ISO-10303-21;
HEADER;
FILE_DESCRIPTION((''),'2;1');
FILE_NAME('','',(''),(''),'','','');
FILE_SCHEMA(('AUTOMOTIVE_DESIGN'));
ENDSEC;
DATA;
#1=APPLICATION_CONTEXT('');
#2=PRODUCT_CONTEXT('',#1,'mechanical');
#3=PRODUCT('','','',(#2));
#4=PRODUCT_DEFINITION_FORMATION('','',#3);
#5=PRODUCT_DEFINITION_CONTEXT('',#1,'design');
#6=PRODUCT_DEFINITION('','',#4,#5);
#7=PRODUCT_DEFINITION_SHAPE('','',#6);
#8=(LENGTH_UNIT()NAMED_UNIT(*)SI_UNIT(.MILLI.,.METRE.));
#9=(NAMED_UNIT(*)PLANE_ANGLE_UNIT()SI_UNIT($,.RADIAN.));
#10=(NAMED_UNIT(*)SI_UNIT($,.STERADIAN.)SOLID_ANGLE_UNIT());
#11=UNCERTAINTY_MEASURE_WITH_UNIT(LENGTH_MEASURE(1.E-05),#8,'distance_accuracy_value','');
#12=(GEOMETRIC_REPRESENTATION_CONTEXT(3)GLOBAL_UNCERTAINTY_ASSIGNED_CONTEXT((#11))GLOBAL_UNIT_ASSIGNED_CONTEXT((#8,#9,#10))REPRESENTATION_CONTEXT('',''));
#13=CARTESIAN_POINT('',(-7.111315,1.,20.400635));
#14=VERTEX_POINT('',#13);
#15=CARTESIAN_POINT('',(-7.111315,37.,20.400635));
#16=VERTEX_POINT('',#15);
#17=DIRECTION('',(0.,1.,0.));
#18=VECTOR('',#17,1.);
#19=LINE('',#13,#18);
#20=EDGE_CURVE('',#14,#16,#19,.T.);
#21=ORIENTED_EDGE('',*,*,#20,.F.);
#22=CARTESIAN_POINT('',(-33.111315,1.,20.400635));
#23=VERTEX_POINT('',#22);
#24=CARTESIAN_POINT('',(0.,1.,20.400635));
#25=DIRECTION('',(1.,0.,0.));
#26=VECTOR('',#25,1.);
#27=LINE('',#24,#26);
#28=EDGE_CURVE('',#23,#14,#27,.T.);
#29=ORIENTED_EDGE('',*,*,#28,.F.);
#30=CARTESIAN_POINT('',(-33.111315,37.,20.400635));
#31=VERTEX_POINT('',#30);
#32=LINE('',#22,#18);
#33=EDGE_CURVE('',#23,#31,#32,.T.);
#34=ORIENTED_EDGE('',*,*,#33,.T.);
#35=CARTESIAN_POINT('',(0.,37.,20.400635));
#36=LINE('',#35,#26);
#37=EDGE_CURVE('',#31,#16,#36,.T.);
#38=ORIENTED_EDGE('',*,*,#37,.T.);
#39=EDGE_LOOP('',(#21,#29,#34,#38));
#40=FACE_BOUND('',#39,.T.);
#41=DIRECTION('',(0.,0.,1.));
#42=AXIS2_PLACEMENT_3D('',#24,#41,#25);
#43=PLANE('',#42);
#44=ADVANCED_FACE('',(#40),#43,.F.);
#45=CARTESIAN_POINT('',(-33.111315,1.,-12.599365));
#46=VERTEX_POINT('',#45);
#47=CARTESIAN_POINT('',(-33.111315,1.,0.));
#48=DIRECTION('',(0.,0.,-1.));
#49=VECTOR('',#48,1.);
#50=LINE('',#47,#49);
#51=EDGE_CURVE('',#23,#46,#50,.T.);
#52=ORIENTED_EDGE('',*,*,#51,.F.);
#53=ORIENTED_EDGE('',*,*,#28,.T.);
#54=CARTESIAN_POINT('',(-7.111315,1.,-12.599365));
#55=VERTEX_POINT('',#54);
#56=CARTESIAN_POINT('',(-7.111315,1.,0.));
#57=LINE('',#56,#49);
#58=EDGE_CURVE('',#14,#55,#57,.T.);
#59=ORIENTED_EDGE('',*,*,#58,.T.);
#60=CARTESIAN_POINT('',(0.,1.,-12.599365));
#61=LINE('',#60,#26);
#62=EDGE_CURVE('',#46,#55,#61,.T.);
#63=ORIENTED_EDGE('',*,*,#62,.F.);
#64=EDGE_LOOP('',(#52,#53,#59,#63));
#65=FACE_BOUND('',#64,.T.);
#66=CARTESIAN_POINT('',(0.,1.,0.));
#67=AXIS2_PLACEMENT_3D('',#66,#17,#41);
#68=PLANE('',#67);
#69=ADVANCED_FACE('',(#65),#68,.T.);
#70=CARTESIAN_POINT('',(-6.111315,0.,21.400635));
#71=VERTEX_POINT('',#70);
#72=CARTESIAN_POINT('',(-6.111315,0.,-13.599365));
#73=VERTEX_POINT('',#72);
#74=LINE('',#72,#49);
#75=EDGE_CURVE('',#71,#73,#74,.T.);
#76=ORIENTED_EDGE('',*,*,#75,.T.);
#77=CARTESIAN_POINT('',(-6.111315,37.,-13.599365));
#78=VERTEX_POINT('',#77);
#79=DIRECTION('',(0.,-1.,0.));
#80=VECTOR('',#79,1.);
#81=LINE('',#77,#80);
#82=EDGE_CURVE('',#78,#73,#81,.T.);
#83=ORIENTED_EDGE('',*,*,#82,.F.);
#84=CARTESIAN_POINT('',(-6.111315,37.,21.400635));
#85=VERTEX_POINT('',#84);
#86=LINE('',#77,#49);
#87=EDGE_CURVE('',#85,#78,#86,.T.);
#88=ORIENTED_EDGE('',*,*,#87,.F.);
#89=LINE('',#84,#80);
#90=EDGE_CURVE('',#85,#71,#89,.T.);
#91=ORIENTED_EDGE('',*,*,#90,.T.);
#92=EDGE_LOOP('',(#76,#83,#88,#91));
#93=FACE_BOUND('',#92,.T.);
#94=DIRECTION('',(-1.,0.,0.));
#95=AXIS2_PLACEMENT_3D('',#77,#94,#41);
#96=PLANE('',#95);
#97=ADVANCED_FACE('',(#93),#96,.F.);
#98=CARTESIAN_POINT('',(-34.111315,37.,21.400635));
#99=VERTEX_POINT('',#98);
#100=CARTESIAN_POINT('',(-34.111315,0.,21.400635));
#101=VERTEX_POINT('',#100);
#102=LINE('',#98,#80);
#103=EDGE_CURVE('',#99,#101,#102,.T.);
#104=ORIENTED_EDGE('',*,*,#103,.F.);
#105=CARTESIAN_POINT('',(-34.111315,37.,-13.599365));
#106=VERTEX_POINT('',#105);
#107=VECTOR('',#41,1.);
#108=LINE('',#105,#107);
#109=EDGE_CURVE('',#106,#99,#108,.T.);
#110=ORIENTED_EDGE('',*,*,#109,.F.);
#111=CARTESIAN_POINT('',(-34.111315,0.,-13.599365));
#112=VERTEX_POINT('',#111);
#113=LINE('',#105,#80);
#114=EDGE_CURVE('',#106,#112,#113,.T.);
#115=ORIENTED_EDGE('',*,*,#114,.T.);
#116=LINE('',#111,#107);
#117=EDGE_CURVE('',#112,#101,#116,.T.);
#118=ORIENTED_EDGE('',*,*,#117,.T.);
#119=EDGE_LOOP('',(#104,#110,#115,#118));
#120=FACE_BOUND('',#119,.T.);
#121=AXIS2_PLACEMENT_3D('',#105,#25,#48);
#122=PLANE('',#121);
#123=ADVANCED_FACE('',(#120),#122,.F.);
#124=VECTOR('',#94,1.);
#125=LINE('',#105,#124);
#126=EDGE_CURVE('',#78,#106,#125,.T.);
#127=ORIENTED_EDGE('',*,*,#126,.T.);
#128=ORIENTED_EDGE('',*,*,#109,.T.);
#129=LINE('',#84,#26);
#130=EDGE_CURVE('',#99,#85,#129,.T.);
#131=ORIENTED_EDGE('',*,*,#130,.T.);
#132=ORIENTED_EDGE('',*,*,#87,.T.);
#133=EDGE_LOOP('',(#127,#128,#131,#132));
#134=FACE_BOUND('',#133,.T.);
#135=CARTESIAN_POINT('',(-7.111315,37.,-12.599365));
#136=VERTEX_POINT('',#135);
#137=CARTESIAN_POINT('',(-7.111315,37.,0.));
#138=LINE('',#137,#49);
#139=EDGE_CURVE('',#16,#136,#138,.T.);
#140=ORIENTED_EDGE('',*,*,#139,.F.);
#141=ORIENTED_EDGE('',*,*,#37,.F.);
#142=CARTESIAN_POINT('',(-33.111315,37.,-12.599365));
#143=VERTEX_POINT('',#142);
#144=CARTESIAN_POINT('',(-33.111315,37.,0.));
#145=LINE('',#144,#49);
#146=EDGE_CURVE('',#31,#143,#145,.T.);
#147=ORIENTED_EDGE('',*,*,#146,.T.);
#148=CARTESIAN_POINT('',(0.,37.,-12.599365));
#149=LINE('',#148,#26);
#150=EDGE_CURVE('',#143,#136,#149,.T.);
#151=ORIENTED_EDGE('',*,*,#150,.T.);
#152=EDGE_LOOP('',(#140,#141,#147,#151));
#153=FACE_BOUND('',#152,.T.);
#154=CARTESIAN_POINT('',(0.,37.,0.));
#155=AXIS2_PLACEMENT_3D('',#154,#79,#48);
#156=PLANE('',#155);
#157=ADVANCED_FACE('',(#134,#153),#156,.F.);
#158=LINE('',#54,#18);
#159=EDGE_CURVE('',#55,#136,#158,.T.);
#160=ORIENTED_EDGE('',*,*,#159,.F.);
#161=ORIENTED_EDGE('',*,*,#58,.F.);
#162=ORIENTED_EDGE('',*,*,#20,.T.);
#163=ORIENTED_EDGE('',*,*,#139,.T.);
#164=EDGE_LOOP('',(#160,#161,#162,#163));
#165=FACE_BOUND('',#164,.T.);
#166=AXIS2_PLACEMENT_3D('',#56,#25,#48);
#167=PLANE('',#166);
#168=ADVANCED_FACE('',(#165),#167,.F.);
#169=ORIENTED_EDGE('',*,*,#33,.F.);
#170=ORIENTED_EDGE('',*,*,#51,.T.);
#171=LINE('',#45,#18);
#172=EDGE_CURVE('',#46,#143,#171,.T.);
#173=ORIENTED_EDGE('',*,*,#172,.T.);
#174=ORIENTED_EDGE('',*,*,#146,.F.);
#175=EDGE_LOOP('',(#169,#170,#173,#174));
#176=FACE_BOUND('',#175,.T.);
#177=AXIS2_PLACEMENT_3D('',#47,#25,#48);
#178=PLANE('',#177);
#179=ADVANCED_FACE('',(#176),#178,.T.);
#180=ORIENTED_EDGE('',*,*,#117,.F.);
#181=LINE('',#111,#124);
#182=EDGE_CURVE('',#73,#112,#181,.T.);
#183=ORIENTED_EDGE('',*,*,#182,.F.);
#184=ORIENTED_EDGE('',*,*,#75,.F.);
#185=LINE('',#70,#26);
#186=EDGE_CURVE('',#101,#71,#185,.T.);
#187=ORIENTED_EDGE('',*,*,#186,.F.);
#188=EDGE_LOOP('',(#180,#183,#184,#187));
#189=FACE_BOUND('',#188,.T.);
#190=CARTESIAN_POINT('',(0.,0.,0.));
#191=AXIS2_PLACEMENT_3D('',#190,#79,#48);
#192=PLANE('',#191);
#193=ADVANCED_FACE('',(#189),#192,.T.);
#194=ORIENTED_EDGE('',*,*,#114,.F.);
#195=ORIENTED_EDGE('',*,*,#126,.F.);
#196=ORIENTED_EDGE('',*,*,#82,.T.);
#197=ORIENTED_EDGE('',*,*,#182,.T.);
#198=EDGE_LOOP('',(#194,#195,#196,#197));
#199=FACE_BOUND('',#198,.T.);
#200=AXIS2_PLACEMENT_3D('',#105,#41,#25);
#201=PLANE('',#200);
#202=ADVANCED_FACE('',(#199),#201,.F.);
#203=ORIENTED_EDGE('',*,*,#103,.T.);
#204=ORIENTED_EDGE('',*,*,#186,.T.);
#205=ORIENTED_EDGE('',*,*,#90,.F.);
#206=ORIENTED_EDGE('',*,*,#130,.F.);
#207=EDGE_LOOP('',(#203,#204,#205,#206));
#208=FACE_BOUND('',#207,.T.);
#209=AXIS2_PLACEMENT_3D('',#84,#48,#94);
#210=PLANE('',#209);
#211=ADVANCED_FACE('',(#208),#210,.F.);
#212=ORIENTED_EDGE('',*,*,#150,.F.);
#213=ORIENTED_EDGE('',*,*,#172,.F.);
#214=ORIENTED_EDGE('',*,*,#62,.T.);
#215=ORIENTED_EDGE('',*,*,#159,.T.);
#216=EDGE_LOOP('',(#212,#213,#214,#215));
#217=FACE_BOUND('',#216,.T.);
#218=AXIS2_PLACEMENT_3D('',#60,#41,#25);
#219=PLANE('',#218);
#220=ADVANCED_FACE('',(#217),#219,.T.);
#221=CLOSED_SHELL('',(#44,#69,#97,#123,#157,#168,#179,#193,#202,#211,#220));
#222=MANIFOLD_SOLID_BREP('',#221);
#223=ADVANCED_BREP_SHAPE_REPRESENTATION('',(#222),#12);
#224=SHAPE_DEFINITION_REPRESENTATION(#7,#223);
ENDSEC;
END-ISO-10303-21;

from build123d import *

# Parameters (mm, degrees)
SKETCH_1_W          = 28
SKETCH_1_H          = 35
EXTRUDE_1_DEPTH     = 37
CUT_EXTRUDE_1_DEPTH = 36


with BuildPart() as part:
    # 草圖1 → 填料-伸長1 (new body)
    with BuildSketch(Plane(origin=(0, 0, 0), x_dir=(1, 0, 0), z_dir=(0, 1, 0))):
        with Locations((-20.111315493, -3.900635196)):
            Rectangle(SKETCH_1_W, SKETCH_1_H)
    extrude(amount=EXTRUDE_1_DEPTH)

    # 草圖2 → 除料-伸長1 (cut)
    with BuildSketch(Plane(origin=(0, 37, 0), x_dir=(1, 0, 0), z_dir=(0, 1, 0))):
        Polygon((-33.111315493, -20.400635196), (-7.111315493, -20.400635196), (-7.111315493, 12.599364804), (-33.111315493, 12.599364804), (-33.111315493, -3.900635196), align=None)
    extrude(amount=-CUT_EXTRUDE_1_DEPTH, mode=Mode.SUBTRACT)


solid = part.part
